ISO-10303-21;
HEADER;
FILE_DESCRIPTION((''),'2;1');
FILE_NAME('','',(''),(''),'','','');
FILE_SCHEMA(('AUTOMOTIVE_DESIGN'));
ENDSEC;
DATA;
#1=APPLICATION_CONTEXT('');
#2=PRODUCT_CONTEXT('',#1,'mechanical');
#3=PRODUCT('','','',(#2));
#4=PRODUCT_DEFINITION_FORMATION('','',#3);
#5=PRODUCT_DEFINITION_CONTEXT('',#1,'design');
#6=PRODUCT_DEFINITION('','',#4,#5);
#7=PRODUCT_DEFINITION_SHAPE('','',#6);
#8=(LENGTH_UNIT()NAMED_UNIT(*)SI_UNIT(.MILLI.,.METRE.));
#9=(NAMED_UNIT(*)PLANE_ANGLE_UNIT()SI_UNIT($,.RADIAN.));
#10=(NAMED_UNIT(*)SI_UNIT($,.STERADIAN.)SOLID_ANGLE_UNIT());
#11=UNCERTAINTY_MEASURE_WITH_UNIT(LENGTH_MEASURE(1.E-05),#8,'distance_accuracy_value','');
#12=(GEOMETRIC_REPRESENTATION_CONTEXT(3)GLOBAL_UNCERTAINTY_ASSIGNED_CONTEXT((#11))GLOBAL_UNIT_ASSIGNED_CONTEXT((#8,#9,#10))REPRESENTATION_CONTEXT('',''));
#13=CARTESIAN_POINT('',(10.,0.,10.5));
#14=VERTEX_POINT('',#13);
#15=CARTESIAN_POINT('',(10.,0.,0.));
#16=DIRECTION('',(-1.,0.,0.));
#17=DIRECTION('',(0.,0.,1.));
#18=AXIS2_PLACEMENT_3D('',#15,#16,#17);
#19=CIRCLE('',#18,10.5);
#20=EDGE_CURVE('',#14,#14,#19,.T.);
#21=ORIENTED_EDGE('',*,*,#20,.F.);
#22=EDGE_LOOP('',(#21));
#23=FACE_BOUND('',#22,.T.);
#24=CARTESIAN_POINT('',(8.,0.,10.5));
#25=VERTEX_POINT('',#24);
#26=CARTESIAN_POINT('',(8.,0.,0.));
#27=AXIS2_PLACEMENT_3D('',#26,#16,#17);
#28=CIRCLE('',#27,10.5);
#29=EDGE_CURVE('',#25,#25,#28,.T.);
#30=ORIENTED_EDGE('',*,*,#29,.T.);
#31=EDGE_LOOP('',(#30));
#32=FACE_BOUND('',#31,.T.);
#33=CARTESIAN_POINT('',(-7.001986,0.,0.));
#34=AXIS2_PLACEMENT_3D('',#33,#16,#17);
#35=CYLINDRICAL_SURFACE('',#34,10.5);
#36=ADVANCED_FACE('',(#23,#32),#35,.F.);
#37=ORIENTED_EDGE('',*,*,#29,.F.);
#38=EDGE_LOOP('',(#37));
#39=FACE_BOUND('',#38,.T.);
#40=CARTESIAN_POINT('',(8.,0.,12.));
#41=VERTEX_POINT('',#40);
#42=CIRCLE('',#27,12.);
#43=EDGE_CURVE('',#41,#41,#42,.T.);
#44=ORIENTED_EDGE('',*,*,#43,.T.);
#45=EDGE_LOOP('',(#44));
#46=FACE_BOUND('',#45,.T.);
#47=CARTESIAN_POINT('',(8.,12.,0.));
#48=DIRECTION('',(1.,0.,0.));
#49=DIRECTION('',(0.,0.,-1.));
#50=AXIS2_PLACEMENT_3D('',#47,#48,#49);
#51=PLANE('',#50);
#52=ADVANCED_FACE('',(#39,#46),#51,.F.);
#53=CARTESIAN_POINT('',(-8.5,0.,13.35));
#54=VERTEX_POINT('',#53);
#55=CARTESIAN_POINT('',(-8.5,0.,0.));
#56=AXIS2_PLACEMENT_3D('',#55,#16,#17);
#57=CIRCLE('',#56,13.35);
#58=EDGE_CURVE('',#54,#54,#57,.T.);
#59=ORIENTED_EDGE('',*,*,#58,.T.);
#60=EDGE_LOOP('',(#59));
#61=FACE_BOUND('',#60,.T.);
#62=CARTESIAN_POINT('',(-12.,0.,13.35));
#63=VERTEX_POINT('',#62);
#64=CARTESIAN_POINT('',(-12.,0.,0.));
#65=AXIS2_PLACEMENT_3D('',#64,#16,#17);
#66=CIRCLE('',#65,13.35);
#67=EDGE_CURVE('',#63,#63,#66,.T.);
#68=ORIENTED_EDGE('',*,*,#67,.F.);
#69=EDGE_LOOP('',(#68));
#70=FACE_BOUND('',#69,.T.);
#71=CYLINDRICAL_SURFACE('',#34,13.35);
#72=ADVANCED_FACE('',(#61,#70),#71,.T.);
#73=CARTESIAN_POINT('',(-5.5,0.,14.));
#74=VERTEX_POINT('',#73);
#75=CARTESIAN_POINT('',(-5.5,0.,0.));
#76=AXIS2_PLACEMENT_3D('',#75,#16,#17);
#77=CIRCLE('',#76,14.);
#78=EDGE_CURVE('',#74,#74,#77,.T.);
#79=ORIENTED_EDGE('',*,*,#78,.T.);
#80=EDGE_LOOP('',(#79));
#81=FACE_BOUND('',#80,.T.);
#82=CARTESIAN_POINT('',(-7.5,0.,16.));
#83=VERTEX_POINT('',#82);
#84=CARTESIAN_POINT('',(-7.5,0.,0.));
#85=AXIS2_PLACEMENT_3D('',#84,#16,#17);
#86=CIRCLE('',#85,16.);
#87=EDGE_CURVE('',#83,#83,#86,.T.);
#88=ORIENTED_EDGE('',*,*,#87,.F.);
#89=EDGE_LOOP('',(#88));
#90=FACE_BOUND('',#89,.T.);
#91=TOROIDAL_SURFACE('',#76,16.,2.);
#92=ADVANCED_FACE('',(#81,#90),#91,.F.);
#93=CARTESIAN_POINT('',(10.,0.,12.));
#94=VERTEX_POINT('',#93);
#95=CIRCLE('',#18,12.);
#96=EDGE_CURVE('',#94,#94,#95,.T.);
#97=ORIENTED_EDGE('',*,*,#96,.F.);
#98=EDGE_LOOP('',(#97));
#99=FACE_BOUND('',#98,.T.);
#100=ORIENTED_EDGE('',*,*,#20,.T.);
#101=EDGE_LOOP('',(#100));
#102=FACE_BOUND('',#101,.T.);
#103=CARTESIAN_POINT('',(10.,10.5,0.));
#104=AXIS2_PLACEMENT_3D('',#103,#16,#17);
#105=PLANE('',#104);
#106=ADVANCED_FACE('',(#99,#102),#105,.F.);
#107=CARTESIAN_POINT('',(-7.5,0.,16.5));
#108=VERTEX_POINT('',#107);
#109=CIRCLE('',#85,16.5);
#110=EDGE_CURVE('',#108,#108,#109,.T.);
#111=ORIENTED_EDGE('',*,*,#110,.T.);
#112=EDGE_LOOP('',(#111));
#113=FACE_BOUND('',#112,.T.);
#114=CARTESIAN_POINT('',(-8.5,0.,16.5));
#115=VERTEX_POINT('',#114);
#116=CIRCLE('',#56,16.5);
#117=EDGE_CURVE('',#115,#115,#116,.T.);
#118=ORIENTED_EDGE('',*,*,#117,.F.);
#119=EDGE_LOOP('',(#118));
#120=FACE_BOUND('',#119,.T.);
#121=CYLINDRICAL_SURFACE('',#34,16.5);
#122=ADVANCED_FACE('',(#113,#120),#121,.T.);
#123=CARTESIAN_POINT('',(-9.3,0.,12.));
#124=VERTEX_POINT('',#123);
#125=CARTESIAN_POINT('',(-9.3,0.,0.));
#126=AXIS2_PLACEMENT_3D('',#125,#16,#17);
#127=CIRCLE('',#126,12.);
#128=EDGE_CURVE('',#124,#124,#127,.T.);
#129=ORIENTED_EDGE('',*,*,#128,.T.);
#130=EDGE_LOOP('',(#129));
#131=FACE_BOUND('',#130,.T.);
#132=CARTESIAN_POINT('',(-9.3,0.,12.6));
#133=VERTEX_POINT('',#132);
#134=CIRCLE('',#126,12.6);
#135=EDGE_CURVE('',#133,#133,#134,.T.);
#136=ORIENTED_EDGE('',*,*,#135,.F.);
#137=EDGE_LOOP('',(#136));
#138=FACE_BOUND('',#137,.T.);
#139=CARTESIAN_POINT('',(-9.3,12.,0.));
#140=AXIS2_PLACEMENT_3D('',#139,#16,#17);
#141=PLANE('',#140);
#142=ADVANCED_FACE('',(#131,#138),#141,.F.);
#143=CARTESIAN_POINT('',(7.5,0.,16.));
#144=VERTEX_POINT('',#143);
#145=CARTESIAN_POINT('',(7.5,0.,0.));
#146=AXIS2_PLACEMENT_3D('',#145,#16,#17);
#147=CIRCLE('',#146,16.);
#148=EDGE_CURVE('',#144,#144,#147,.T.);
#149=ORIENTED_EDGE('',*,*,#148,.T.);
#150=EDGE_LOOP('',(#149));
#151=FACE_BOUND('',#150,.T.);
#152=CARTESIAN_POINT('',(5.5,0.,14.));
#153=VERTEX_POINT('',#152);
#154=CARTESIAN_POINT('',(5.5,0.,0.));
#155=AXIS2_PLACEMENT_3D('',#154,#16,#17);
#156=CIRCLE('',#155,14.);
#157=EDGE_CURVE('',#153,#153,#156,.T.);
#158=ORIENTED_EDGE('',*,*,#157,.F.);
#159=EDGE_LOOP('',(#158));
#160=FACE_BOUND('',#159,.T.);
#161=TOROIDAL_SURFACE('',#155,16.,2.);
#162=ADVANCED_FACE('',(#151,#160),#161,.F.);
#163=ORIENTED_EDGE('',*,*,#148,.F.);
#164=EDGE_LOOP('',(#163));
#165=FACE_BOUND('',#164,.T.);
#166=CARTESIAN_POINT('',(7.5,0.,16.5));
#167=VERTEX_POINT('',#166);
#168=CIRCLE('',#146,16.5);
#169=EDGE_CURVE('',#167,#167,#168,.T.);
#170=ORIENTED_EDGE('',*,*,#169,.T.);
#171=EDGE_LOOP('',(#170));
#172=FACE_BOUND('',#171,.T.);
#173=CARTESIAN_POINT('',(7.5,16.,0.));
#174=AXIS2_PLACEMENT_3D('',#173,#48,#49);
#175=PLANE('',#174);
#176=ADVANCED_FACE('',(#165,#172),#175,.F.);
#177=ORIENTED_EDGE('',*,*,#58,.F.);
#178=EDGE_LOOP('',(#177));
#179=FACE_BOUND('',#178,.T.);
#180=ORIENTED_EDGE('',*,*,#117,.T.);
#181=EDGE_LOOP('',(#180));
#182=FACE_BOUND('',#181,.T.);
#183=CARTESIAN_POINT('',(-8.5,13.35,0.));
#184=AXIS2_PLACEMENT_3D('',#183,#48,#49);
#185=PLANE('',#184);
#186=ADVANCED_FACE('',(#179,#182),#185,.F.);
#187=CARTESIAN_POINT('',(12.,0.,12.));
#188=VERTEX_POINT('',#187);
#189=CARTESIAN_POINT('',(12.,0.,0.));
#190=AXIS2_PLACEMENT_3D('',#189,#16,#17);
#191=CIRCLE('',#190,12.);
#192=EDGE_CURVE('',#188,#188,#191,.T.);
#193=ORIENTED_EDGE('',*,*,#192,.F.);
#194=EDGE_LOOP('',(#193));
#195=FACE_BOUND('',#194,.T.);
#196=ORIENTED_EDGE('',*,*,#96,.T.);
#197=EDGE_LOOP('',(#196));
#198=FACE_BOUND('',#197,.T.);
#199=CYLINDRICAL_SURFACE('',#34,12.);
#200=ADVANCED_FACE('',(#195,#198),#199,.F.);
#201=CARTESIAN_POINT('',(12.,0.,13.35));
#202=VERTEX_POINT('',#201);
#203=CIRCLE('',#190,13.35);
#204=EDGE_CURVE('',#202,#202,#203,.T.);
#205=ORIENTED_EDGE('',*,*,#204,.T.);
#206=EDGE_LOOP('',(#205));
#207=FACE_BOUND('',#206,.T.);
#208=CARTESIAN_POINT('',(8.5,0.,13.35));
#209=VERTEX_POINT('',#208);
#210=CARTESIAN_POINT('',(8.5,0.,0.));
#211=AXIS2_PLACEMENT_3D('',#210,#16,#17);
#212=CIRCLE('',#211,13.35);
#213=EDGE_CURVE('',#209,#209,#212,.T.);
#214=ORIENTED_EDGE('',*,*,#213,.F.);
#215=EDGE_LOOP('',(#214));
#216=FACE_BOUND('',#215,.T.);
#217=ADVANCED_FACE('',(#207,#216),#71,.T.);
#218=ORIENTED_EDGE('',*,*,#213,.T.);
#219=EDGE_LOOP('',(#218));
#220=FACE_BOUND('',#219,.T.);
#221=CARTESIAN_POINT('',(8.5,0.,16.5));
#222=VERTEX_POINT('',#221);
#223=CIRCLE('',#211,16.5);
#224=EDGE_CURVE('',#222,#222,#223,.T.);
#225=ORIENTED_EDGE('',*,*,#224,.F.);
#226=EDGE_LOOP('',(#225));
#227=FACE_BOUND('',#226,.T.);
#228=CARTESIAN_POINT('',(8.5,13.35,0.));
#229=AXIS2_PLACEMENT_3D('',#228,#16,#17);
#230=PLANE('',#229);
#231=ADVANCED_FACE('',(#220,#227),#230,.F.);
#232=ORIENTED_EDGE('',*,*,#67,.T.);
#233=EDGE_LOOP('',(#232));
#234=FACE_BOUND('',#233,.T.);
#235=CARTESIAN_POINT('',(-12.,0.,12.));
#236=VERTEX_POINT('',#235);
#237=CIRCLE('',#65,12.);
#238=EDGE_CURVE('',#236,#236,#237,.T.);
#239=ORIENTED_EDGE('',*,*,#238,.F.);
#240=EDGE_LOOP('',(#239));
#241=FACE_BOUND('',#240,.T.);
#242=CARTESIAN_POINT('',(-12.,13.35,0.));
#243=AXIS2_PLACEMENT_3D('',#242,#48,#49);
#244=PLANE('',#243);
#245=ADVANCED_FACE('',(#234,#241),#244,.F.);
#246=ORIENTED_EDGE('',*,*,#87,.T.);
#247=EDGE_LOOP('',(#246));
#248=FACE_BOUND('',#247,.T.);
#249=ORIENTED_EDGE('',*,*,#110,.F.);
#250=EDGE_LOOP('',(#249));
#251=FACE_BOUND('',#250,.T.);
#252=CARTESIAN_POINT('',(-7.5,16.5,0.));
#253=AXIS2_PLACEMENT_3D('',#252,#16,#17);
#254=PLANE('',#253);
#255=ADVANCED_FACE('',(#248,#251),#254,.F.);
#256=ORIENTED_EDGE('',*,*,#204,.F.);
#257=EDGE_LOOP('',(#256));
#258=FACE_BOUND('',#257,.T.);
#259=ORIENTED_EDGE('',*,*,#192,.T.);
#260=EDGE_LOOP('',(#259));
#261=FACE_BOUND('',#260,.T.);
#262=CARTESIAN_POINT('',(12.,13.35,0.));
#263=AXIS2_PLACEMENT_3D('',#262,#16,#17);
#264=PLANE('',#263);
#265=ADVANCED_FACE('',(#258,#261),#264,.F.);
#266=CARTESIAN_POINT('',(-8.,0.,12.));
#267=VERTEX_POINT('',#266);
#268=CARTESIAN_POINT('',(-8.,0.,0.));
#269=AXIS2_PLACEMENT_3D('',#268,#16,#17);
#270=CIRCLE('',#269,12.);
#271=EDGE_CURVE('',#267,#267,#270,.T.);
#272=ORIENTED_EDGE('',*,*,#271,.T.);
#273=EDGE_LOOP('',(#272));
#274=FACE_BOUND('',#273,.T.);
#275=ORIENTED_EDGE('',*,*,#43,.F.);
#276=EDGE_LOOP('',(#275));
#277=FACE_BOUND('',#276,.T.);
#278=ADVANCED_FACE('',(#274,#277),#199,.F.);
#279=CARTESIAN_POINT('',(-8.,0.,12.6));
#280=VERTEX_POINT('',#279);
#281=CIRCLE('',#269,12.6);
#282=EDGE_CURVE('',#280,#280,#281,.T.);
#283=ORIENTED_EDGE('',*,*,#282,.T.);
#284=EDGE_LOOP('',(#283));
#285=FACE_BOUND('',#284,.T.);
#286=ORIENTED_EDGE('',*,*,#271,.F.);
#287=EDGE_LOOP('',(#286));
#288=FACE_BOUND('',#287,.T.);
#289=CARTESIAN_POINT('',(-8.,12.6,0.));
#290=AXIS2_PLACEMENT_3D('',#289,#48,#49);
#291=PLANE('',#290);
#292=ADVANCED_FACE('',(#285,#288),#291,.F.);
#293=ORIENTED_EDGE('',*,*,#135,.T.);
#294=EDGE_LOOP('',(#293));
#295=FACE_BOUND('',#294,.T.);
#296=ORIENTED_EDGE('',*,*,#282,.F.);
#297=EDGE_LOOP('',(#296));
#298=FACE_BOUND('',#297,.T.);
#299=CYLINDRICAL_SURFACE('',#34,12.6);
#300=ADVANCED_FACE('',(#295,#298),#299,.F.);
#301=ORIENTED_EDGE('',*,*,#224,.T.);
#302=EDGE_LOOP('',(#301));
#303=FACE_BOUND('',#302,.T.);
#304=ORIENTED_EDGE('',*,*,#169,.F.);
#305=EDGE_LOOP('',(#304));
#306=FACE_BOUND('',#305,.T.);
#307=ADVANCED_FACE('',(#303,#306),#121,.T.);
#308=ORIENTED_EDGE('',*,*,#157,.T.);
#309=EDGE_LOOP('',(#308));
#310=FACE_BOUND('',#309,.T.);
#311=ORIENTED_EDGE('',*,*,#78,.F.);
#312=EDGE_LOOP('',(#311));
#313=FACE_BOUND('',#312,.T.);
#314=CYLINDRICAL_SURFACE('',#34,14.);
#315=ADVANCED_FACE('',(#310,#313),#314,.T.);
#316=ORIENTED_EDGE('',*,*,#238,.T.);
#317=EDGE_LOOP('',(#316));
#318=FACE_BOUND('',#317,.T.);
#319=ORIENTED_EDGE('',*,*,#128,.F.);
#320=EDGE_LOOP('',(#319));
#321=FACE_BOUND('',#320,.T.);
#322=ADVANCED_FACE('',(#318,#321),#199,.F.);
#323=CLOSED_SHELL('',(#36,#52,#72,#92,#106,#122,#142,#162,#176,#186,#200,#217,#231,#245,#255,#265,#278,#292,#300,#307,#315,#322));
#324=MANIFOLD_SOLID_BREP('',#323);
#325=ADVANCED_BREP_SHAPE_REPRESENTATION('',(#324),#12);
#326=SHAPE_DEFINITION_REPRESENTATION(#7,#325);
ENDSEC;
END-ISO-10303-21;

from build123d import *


with BuildPart() as part:
    # Szkic1 → Obrót1 (revolve)
    with BuildSketch(Plane.XY):
        with BuildLine():
            Line((-12, 12), (-9.3, 12))
            Line((-9.3, 12), (-9.3, 12.6))
            Line((-9.3, 12.6), (-8, 12.6))
            Line((-8, 12.6), (-8, 12))
            Line((-8, 12), (8, 12))
            Line((8, 12), (8, 10.5))
            Line((8, 10.5), (10, 10.5))
            Line((10, 10.5), (10, 12))
            Line((10, 12), (12, 12))
            Line((12, 12), (12, 13.35))
            Line((12, 13.35), (8.5, 13.35))
            Line((8.5, 13.35), (8.5, 16.5))
            Line((8.5, 16.5), (7.5, 16.5))
            Line((7.5, 16.5), (7.5, 16))
            ThreePointArc((7.5, 16), (6.914213562, 14.585786438), (5.5, 14))
            Line((5.5, 14), (-5.5, 14))
            ThreePointArc((-5.5, 14), (-6.914213562, 14.585786438), (-7.5, 16))
            Line((-7.5, 16), (-7.5, 16.5))
            Line((-7.5, 16.5), (-8.5, 16.5))
            Line((-8.5, 16.5), (-8.5, 13.35))
            Line((-8.5, 13.35), (-12, 13.35))
            Line((-12, 13.35), (-12, 12))
        make_face()
    revolve(axis=Axis((-7.001985985, 0, 0), (1, 0, 0)))


solid = part.part
